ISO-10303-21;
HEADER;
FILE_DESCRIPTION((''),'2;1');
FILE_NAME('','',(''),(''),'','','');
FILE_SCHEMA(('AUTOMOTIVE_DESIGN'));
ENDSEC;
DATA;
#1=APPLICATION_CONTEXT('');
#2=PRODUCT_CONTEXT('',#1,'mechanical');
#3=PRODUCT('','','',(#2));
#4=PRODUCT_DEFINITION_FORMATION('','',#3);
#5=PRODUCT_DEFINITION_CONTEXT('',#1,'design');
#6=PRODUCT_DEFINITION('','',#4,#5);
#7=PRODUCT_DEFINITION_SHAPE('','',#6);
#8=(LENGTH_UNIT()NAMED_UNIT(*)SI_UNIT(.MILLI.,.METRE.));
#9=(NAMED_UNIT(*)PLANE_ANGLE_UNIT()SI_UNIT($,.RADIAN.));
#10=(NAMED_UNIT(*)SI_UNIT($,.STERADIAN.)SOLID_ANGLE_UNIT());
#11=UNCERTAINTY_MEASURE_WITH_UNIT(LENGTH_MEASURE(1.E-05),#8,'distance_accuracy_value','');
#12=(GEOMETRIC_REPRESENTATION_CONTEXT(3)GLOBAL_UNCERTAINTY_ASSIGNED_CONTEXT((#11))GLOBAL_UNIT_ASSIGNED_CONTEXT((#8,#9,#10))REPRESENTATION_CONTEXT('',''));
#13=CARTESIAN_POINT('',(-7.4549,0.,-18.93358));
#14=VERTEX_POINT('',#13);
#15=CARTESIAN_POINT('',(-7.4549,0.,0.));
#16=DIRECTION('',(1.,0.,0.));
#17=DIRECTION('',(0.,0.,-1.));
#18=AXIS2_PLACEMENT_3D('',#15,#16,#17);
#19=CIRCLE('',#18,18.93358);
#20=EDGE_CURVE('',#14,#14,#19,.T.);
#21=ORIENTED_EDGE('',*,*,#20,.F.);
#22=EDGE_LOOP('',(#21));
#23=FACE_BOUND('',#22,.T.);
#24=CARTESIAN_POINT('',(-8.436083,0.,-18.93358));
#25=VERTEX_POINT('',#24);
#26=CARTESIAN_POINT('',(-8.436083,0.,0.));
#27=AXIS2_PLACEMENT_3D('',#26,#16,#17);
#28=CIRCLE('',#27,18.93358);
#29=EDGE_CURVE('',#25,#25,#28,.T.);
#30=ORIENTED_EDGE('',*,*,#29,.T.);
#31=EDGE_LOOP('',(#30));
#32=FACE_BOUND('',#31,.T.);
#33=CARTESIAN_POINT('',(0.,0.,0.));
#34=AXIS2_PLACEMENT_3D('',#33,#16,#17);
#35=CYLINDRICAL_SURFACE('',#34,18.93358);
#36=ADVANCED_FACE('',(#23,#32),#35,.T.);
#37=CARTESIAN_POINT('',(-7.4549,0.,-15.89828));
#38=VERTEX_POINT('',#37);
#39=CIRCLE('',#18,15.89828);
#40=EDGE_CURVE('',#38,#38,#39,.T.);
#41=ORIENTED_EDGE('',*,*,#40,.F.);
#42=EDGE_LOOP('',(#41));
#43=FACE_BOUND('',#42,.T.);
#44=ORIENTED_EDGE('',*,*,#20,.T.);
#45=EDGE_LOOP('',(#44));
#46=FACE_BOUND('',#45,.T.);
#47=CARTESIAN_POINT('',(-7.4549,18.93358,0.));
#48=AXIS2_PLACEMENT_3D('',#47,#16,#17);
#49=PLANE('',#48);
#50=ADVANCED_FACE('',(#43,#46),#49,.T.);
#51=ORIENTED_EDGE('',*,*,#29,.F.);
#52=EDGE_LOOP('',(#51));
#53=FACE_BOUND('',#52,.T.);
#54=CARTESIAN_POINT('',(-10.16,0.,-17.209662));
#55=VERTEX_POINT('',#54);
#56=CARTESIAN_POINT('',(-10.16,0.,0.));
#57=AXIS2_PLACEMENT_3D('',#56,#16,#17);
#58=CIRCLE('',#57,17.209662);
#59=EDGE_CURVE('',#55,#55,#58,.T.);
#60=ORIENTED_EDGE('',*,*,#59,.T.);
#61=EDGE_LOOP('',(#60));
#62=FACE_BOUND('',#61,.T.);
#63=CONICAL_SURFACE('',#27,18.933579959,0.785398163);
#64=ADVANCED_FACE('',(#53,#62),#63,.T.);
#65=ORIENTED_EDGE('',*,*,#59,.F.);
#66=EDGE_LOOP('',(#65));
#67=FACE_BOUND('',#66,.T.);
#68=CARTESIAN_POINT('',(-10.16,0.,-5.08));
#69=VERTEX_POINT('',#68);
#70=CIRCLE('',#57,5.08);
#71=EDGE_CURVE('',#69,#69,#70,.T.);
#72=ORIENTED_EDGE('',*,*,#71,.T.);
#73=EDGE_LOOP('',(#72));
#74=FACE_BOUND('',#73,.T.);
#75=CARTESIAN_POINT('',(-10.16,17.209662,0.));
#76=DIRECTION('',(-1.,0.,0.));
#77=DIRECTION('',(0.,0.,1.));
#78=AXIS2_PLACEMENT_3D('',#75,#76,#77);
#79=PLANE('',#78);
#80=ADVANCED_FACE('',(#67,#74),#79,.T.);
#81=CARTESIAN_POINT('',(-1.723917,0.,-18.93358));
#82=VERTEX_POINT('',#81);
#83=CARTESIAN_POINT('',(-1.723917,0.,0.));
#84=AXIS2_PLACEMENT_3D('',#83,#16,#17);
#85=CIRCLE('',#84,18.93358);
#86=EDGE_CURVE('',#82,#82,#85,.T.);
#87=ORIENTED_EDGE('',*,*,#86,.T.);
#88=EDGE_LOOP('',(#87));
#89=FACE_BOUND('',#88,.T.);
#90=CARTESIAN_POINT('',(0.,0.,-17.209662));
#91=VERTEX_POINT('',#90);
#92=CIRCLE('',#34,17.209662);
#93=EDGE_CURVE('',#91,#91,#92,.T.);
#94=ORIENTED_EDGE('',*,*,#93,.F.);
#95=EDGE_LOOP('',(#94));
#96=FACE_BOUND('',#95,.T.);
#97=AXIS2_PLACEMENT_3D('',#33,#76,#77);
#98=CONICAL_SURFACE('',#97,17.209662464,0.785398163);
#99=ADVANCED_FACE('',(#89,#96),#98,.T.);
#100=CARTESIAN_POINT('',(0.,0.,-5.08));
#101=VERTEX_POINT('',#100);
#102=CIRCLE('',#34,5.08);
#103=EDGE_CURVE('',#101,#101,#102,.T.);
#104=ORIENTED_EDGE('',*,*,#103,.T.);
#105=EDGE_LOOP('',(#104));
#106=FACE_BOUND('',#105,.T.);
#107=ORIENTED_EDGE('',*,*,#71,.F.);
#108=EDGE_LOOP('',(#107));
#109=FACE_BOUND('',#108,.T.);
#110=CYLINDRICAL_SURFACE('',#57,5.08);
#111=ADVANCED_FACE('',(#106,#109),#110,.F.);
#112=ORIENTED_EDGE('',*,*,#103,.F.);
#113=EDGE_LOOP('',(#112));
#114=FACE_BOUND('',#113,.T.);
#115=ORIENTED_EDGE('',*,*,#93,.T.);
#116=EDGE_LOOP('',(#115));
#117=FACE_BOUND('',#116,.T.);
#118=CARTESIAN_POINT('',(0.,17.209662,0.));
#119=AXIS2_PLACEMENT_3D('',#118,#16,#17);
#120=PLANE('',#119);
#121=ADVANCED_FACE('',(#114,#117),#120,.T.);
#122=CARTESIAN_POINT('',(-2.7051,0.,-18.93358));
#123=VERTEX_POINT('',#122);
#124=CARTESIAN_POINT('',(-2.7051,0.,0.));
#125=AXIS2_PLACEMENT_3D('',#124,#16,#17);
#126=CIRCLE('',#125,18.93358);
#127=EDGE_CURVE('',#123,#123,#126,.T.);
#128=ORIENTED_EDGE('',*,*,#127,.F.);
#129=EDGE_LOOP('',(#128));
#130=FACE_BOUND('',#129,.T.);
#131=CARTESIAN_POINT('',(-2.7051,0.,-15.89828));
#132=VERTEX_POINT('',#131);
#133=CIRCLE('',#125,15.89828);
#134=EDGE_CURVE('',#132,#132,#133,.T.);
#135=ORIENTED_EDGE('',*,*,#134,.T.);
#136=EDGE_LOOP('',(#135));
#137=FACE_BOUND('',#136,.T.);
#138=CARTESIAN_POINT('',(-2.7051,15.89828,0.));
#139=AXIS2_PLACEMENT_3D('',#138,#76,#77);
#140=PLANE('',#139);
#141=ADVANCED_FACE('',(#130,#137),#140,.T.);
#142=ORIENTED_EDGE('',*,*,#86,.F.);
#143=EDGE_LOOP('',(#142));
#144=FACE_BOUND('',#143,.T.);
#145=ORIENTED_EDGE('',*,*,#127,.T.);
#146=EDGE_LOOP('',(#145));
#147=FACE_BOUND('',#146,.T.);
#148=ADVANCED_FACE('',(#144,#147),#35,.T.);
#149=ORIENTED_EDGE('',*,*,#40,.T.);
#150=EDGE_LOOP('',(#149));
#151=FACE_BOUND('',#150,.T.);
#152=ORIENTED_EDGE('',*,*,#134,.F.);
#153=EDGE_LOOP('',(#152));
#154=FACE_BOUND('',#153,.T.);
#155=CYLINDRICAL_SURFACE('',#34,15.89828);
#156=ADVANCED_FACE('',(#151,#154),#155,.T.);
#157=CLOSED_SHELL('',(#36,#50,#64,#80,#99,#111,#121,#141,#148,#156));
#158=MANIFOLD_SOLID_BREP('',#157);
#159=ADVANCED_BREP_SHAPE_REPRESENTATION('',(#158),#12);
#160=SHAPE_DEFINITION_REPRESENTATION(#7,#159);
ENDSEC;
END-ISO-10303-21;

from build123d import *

# Parameters (mm, degrees)
SKETCH3_R          = 5.08
CUT_EXTRUDE1_DEPTH = 29.638898375


with BuildPart() as part:
    # Sketch2 → Revolve1 (revolve)
    with BuildSketch(Plane.XY, mode=Mode.PRIVATE) as revolve1_sk:
        Polygon((0, 0), (-10.16, 0), (-10.16, 17.209662464), (-8.436082504, 18.933579959), (-7.4549, 18.933579959), (-7.4549, 15.898279959), (-2.7051, 15.898279959), (-2.7051, 18.933579959), (-1.723917496, 18.933579959), (0, 17.209662464), align=None)
    revolve(revolve1_sk.sketch.rotate(Axis((0, 0, 0), (-1, 0, 0)), 90), axis=Axis((0, 0, 0), (-1, 0, 0)))

    # Sketch3 → Cut-Extrude1 (cut, through all)
    with BuildSketch(Plane(origin=(0, 0, 0), x_dir=(0, 0, -1), z_dir=(1, 0, 0))):
        Circle(SKETCH3_R)
    extrude(amount=-CUT_EXTRUDE1_DEPTH, mode=Mode.SUBTRACT)


solid = part.part
